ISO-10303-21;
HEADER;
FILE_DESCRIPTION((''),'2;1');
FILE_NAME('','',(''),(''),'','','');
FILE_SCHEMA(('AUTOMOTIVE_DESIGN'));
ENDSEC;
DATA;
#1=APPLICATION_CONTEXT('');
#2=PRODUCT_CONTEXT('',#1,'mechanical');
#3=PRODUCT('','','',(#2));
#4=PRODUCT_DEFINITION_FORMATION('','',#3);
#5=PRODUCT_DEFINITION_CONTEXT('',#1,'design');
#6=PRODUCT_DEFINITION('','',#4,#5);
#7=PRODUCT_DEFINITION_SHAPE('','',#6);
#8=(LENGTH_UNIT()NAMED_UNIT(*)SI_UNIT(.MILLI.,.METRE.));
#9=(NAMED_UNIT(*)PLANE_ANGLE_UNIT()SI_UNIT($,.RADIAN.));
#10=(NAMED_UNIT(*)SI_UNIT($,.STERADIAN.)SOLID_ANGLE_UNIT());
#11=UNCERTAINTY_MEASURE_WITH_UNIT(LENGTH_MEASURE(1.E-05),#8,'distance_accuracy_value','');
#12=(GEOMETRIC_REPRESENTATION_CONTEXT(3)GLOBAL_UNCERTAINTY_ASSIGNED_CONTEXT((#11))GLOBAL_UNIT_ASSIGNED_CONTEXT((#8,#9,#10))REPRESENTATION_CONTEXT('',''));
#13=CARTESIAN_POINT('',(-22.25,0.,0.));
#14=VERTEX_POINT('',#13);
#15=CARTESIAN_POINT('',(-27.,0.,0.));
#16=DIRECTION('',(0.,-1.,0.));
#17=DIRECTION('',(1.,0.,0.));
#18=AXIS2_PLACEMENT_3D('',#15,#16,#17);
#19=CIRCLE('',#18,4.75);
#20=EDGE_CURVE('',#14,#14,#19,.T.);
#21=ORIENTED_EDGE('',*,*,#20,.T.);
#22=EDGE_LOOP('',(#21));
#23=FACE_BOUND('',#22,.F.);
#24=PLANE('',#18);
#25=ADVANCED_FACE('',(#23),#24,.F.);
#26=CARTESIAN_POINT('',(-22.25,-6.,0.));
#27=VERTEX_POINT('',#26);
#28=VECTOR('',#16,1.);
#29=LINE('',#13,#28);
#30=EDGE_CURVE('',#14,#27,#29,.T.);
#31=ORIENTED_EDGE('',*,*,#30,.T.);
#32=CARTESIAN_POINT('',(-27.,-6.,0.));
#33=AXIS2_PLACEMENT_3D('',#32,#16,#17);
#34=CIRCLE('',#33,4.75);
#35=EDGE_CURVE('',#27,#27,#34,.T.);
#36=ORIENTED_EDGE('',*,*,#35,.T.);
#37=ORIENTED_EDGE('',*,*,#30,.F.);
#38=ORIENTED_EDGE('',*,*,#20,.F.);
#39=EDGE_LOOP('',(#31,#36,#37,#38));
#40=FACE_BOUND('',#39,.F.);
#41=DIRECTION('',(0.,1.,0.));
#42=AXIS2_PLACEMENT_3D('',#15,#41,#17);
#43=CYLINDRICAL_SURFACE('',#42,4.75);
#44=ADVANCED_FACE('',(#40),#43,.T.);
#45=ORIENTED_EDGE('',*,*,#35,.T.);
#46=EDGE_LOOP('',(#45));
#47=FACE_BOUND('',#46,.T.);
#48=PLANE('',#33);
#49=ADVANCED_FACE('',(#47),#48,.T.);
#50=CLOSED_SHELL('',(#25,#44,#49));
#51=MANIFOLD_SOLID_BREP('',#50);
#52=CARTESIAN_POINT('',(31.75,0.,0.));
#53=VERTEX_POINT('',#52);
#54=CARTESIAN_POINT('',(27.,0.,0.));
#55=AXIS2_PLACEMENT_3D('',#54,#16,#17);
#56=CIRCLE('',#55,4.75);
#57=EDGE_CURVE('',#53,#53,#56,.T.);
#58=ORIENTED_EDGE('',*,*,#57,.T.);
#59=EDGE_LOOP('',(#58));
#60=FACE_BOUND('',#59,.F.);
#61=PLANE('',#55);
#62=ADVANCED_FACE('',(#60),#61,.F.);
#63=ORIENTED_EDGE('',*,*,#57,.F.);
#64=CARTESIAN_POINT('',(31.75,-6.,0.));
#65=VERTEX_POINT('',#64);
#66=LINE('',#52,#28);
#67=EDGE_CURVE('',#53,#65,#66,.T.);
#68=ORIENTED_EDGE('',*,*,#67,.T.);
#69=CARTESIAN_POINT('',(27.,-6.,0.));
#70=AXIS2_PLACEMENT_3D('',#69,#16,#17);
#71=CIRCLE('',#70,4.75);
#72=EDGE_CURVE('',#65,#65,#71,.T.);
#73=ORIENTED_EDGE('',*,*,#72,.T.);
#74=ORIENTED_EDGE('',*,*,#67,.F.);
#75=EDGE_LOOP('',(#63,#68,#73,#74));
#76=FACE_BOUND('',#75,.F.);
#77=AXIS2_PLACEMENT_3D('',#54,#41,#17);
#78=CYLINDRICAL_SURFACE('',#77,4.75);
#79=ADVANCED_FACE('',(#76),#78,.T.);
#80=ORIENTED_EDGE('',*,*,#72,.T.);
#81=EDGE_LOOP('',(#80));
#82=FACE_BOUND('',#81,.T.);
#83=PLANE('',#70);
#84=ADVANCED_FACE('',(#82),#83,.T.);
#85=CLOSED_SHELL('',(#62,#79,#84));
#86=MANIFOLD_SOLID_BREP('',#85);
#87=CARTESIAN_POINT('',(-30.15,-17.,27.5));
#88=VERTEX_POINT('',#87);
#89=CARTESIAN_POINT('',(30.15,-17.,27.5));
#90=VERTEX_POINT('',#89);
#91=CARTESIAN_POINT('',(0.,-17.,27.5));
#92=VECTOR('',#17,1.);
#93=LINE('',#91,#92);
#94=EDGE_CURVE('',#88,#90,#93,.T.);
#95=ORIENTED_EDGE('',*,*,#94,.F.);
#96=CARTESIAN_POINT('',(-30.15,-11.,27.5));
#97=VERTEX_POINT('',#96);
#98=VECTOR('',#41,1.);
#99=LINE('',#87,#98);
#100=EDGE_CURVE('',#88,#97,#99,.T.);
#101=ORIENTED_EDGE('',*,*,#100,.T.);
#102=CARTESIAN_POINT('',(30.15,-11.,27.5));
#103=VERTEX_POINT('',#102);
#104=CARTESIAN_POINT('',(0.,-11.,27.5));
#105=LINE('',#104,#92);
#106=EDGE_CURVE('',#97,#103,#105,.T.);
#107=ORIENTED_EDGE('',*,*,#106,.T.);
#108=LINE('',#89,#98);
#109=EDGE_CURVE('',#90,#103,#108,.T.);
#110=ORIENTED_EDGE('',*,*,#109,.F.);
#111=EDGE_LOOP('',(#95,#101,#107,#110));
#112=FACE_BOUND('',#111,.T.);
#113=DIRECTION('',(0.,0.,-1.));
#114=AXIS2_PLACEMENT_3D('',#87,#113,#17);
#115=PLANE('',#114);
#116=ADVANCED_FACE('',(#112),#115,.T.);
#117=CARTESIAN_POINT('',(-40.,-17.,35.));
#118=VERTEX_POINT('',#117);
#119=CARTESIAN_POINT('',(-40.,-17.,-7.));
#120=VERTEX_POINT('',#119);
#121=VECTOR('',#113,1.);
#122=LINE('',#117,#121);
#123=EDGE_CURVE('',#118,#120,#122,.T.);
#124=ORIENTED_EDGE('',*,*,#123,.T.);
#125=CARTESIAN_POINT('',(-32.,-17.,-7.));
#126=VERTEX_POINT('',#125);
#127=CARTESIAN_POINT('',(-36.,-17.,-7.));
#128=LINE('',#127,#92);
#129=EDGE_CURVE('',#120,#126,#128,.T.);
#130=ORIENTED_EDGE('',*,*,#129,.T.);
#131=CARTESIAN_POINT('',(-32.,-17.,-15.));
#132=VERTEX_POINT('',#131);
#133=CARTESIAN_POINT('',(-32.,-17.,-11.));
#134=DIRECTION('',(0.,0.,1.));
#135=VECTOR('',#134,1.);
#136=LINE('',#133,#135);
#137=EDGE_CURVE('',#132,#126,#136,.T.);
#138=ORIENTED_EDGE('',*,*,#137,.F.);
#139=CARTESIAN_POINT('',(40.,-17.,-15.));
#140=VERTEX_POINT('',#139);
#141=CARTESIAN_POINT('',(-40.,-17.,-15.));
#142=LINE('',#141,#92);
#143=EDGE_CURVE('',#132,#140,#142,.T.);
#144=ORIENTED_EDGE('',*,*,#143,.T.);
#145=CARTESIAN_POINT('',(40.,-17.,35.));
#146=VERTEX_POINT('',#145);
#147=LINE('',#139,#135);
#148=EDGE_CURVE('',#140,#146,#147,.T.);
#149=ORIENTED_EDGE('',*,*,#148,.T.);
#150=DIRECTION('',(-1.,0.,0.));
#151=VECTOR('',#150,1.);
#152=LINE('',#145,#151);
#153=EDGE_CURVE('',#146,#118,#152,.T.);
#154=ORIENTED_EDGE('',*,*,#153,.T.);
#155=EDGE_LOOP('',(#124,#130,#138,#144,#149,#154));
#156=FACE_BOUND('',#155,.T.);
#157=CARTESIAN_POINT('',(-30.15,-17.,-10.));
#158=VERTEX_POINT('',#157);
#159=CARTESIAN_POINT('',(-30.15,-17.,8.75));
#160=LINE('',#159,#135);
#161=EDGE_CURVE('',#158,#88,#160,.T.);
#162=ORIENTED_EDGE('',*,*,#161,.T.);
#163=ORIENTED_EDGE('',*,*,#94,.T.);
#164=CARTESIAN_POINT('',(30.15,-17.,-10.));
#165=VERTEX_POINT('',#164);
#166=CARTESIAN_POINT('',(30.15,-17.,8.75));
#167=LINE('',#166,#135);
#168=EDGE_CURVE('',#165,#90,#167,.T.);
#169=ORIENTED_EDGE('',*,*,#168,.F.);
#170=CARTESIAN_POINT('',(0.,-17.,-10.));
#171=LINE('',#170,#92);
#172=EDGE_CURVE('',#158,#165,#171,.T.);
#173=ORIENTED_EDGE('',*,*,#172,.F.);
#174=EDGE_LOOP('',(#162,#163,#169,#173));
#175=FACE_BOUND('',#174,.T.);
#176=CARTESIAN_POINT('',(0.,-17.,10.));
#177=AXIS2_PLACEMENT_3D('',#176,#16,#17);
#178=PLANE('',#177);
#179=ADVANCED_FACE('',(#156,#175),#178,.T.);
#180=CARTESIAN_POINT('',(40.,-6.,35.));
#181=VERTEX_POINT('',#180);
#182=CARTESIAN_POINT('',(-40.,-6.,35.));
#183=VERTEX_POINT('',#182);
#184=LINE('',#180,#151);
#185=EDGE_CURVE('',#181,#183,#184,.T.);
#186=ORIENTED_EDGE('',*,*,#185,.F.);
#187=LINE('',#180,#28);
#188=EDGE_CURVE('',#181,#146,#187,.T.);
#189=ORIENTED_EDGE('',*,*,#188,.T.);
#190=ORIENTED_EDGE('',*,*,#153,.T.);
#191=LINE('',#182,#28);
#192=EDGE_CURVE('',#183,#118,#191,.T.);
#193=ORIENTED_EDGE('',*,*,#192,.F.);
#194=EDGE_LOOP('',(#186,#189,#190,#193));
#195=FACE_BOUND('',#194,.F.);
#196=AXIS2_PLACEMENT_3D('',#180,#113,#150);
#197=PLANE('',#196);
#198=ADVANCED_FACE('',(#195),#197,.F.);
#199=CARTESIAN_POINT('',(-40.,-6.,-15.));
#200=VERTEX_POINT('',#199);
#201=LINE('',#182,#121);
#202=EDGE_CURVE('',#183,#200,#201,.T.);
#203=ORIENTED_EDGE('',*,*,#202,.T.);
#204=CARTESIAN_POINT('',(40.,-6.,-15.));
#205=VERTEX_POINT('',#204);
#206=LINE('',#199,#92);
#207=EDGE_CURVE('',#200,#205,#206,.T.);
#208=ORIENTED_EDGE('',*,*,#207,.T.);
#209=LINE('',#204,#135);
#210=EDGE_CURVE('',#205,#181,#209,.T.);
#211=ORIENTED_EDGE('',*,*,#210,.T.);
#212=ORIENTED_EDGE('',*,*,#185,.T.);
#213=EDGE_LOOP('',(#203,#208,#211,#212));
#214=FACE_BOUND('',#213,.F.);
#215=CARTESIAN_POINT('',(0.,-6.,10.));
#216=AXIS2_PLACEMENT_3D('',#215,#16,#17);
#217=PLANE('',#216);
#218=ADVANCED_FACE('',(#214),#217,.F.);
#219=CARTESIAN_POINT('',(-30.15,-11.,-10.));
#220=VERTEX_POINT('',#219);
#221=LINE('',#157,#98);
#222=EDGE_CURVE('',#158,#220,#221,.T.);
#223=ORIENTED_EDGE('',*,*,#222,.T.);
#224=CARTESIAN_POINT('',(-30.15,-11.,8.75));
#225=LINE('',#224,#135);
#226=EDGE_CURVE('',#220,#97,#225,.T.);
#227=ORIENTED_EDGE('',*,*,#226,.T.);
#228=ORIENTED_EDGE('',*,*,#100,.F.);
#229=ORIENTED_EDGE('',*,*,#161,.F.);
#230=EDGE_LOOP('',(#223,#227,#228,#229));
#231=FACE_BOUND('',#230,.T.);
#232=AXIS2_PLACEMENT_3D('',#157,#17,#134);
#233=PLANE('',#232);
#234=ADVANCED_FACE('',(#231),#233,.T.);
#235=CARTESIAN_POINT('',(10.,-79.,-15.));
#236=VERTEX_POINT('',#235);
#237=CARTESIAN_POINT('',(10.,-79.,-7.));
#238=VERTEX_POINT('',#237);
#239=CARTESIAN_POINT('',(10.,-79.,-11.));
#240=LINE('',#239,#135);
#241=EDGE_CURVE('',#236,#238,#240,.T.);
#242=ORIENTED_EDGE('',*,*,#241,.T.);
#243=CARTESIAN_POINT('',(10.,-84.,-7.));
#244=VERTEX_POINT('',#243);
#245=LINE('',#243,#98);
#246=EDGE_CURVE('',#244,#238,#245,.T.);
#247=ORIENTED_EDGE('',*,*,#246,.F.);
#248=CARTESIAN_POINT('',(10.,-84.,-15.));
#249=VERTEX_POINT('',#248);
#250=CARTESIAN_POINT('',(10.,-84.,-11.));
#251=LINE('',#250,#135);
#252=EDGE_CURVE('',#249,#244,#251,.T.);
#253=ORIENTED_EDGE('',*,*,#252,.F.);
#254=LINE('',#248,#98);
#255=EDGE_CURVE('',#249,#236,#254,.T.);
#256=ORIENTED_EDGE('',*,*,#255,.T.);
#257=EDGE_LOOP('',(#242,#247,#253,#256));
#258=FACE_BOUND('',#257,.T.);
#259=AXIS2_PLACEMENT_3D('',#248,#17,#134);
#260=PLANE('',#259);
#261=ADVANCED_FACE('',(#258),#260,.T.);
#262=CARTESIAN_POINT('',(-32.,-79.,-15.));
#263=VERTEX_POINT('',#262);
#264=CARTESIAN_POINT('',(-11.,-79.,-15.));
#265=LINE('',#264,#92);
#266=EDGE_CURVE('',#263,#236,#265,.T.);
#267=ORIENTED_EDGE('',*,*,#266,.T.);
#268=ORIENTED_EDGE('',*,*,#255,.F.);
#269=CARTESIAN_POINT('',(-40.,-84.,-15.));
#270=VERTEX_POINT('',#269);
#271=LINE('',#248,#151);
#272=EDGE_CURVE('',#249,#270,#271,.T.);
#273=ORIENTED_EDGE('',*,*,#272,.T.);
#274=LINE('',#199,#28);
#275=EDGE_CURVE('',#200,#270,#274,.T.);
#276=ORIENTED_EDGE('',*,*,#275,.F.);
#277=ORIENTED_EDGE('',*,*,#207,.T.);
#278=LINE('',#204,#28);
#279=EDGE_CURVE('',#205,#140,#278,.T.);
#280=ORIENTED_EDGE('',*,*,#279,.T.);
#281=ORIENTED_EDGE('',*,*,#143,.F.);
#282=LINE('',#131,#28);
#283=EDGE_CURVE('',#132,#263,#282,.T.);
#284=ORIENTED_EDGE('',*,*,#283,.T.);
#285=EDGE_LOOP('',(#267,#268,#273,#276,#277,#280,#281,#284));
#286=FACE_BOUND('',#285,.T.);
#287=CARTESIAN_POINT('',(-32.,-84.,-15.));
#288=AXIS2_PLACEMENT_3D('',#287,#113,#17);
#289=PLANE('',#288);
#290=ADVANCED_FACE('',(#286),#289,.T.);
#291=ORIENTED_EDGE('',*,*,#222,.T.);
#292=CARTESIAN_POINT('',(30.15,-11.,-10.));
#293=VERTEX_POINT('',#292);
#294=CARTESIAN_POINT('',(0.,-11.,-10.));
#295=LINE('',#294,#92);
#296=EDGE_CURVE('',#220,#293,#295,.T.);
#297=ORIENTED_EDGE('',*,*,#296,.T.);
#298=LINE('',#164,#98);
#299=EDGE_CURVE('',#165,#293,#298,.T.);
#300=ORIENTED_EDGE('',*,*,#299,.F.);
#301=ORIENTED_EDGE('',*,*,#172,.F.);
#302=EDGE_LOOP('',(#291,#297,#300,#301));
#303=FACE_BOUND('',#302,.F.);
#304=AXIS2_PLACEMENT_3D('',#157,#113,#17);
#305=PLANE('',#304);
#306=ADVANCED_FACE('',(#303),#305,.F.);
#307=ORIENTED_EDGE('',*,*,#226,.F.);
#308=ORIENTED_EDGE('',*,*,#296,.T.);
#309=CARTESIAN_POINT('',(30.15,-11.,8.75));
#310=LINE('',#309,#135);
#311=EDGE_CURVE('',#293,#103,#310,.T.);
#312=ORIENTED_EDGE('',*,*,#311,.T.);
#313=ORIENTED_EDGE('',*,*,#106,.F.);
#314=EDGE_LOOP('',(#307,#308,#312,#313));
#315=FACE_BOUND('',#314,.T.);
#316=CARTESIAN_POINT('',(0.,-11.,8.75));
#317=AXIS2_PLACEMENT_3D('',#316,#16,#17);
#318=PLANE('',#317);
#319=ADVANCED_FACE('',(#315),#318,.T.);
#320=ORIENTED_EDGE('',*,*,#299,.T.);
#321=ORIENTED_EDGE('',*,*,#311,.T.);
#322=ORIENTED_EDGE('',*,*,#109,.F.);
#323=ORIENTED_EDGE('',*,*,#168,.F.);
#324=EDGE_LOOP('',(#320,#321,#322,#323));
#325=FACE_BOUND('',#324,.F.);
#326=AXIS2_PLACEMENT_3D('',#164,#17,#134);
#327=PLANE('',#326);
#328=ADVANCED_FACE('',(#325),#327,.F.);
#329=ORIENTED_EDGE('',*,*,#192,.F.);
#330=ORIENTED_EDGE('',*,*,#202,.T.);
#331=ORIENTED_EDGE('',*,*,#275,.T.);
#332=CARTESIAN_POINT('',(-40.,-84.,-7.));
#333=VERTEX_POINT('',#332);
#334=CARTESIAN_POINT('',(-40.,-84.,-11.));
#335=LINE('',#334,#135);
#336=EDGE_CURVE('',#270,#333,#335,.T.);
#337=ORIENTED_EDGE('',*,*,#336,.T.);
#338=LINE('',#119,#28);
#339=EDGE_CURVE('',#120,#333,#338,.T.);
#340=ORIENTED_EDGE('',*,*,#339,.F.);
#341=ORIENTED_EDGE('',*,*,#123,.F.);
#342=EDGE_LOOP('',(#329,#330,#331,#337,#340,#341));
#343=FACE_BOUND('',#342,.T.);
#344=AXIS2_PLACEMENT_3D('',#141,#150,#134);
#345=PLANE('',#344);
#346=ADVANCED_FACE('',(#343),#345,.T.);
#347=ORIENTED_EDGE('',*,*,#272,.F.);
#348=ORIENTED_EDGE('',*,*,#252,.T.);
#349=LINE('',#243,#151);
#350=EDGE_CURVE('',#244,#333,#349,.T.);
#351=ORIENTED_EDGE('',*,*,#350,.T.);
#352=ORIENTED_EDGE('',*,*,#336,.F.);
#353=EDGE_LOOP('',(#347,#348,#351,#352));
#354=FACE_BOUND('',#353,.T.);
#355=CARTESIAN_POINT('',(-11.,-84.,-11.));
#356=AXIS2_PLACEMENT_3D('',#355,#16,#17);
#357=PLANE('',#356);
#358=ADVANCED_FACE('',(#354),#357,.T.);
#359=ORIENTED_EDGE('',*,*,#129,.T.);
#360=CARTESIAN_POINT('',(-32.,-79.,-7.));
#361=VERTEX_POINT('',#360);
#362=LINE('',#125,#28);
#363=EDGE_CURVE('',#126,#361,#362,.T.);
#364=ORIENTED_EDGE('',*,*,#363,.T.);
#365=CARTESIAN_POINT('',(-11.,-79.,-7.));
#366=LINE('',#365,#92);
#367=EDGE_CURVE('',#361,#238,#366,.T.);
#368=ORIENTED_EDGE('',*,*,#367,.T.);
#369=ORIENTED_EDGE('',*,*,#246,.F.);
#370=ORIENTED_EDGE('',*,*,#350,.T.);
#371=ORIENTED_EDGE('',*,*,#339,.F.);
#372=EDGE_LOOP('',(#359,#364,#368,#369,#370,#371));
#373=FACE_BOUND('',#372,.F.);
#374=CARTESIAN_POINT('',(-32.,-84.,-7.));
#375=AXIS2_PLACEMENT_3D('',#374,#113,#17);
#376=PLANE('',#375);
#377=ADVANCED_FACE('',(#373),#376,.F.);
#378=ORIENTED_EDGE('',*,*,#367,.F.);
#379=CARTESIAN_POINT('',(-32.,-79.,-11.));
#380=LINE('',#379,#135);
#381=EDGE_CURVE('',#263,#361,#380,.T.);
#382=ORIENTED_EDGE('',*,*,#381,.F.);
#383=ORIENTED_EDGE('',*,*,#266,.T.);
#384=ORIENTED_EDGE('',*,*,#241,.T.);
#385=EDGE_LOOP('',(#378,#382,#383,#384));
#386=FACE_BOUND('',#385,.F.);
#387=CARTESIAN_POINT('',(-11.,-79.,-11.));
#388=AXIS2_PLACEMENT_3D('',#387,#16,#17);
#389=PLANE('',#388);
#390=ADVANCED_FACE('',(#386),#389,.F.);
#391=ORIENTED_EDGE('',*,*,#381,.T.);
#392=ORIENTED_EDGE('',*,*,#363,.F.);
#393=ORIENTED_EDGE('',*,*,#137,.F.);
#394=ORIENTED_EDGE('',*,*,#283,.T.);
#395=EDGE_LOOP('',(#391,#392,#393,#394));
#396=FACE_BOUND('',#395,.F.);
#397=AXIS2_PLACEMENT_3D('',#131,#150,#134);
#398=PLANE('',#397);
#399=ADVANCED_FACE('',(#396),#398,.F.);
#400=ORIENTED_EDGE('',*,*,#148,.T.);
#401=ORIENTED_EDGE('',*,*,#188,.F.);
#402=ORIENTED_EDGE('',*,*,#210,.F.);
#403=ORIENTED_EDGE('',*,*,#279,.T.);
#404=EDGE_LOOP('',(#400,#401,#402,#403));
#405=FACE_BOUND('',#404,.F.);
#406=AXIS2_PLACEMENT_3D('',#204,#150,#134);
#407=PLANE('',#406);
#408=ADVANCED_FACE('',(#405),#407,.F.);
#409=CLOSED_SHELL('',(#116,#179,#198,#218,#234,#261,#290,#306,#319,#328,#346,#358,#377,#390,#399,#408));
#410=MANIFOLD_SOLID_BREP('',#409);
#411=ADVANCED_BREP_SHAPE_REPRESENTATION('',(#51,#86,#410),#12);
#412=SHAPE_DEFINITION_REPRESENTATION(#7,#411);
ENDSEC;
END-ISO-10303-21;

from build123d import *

# Parameters (mm, degrees)
F0_R     = 4.75
F1_DEPTH = 6
F2_R     = 4.75
F3_DEPTH = 11
F4_W     = 60.3
F4_H     = 37.5
F5_DEPTH = 6
F6_W     = 8
F6_H     = 8
F7_DEPTH = 67
F8_W     = 42
F8_H     = 8
F9_DEPTH = 5


with BuildPart() as f1:
    # F0 (on Front) → F1 (new body)
    with BuildSketch(Plane.XZ):
        with Locations((-27, 0)):
            Circle(F0_R)
    extrude(amount=F1_DEPTH)


with BuildPart() as f1b:
    # F0 (on Front) → F1, piece 2 (new body)
    with BuildSketch(Plane.XZ):
        with Locations((27, 0)):
            Circle(F0_R)
    extrude(amount=F1_DEPTH)


with BuildPart() as f3:
    # F2 (on face) → F3 (new body)
    with BuildSketch(Plane.XZ.offset(6)):
        Polygon((-40, -15), (40, -15), (40, 15), (40, 35), (-40, 35), (-40, 15), align=None)
        with Locations((-27, 0)):
            Circle(F2_R, mode=Mode.SUBTRACT)
        with Locations((-27, 0)):
            Circle(F2_R)
    extrude(amount=F3_DEPTH)

    # F4 (on face) → F5 (cut)
    with BuildSketch(Plane.XZ.offset(17)):
        with Locations((0, 8.75)):
            Rectangle(F4_W, F4_H)
    extrude(amount=-F5_DEPTH, mode=Mode.SUBTRACT)

    # F6 (on face) → F7 (join)
    with BuildSketch(Plane.XZ.offset(17)):
        with Locations((-36, -11)):
            Rectangle(F6_W, F6_H)
    extrude(amount=F7_DEPTH)

    # F8 (on face) → F9 (join)
    with BuildSketch(Plane.XZ.offset(84)):
        with Locations((-11, -11)):
            Rectangle(F8_W, F8_H)
    extrude(amount=-F9_DEPTH)


solid = Compound([f1.part, f1b.part, f3.part])
